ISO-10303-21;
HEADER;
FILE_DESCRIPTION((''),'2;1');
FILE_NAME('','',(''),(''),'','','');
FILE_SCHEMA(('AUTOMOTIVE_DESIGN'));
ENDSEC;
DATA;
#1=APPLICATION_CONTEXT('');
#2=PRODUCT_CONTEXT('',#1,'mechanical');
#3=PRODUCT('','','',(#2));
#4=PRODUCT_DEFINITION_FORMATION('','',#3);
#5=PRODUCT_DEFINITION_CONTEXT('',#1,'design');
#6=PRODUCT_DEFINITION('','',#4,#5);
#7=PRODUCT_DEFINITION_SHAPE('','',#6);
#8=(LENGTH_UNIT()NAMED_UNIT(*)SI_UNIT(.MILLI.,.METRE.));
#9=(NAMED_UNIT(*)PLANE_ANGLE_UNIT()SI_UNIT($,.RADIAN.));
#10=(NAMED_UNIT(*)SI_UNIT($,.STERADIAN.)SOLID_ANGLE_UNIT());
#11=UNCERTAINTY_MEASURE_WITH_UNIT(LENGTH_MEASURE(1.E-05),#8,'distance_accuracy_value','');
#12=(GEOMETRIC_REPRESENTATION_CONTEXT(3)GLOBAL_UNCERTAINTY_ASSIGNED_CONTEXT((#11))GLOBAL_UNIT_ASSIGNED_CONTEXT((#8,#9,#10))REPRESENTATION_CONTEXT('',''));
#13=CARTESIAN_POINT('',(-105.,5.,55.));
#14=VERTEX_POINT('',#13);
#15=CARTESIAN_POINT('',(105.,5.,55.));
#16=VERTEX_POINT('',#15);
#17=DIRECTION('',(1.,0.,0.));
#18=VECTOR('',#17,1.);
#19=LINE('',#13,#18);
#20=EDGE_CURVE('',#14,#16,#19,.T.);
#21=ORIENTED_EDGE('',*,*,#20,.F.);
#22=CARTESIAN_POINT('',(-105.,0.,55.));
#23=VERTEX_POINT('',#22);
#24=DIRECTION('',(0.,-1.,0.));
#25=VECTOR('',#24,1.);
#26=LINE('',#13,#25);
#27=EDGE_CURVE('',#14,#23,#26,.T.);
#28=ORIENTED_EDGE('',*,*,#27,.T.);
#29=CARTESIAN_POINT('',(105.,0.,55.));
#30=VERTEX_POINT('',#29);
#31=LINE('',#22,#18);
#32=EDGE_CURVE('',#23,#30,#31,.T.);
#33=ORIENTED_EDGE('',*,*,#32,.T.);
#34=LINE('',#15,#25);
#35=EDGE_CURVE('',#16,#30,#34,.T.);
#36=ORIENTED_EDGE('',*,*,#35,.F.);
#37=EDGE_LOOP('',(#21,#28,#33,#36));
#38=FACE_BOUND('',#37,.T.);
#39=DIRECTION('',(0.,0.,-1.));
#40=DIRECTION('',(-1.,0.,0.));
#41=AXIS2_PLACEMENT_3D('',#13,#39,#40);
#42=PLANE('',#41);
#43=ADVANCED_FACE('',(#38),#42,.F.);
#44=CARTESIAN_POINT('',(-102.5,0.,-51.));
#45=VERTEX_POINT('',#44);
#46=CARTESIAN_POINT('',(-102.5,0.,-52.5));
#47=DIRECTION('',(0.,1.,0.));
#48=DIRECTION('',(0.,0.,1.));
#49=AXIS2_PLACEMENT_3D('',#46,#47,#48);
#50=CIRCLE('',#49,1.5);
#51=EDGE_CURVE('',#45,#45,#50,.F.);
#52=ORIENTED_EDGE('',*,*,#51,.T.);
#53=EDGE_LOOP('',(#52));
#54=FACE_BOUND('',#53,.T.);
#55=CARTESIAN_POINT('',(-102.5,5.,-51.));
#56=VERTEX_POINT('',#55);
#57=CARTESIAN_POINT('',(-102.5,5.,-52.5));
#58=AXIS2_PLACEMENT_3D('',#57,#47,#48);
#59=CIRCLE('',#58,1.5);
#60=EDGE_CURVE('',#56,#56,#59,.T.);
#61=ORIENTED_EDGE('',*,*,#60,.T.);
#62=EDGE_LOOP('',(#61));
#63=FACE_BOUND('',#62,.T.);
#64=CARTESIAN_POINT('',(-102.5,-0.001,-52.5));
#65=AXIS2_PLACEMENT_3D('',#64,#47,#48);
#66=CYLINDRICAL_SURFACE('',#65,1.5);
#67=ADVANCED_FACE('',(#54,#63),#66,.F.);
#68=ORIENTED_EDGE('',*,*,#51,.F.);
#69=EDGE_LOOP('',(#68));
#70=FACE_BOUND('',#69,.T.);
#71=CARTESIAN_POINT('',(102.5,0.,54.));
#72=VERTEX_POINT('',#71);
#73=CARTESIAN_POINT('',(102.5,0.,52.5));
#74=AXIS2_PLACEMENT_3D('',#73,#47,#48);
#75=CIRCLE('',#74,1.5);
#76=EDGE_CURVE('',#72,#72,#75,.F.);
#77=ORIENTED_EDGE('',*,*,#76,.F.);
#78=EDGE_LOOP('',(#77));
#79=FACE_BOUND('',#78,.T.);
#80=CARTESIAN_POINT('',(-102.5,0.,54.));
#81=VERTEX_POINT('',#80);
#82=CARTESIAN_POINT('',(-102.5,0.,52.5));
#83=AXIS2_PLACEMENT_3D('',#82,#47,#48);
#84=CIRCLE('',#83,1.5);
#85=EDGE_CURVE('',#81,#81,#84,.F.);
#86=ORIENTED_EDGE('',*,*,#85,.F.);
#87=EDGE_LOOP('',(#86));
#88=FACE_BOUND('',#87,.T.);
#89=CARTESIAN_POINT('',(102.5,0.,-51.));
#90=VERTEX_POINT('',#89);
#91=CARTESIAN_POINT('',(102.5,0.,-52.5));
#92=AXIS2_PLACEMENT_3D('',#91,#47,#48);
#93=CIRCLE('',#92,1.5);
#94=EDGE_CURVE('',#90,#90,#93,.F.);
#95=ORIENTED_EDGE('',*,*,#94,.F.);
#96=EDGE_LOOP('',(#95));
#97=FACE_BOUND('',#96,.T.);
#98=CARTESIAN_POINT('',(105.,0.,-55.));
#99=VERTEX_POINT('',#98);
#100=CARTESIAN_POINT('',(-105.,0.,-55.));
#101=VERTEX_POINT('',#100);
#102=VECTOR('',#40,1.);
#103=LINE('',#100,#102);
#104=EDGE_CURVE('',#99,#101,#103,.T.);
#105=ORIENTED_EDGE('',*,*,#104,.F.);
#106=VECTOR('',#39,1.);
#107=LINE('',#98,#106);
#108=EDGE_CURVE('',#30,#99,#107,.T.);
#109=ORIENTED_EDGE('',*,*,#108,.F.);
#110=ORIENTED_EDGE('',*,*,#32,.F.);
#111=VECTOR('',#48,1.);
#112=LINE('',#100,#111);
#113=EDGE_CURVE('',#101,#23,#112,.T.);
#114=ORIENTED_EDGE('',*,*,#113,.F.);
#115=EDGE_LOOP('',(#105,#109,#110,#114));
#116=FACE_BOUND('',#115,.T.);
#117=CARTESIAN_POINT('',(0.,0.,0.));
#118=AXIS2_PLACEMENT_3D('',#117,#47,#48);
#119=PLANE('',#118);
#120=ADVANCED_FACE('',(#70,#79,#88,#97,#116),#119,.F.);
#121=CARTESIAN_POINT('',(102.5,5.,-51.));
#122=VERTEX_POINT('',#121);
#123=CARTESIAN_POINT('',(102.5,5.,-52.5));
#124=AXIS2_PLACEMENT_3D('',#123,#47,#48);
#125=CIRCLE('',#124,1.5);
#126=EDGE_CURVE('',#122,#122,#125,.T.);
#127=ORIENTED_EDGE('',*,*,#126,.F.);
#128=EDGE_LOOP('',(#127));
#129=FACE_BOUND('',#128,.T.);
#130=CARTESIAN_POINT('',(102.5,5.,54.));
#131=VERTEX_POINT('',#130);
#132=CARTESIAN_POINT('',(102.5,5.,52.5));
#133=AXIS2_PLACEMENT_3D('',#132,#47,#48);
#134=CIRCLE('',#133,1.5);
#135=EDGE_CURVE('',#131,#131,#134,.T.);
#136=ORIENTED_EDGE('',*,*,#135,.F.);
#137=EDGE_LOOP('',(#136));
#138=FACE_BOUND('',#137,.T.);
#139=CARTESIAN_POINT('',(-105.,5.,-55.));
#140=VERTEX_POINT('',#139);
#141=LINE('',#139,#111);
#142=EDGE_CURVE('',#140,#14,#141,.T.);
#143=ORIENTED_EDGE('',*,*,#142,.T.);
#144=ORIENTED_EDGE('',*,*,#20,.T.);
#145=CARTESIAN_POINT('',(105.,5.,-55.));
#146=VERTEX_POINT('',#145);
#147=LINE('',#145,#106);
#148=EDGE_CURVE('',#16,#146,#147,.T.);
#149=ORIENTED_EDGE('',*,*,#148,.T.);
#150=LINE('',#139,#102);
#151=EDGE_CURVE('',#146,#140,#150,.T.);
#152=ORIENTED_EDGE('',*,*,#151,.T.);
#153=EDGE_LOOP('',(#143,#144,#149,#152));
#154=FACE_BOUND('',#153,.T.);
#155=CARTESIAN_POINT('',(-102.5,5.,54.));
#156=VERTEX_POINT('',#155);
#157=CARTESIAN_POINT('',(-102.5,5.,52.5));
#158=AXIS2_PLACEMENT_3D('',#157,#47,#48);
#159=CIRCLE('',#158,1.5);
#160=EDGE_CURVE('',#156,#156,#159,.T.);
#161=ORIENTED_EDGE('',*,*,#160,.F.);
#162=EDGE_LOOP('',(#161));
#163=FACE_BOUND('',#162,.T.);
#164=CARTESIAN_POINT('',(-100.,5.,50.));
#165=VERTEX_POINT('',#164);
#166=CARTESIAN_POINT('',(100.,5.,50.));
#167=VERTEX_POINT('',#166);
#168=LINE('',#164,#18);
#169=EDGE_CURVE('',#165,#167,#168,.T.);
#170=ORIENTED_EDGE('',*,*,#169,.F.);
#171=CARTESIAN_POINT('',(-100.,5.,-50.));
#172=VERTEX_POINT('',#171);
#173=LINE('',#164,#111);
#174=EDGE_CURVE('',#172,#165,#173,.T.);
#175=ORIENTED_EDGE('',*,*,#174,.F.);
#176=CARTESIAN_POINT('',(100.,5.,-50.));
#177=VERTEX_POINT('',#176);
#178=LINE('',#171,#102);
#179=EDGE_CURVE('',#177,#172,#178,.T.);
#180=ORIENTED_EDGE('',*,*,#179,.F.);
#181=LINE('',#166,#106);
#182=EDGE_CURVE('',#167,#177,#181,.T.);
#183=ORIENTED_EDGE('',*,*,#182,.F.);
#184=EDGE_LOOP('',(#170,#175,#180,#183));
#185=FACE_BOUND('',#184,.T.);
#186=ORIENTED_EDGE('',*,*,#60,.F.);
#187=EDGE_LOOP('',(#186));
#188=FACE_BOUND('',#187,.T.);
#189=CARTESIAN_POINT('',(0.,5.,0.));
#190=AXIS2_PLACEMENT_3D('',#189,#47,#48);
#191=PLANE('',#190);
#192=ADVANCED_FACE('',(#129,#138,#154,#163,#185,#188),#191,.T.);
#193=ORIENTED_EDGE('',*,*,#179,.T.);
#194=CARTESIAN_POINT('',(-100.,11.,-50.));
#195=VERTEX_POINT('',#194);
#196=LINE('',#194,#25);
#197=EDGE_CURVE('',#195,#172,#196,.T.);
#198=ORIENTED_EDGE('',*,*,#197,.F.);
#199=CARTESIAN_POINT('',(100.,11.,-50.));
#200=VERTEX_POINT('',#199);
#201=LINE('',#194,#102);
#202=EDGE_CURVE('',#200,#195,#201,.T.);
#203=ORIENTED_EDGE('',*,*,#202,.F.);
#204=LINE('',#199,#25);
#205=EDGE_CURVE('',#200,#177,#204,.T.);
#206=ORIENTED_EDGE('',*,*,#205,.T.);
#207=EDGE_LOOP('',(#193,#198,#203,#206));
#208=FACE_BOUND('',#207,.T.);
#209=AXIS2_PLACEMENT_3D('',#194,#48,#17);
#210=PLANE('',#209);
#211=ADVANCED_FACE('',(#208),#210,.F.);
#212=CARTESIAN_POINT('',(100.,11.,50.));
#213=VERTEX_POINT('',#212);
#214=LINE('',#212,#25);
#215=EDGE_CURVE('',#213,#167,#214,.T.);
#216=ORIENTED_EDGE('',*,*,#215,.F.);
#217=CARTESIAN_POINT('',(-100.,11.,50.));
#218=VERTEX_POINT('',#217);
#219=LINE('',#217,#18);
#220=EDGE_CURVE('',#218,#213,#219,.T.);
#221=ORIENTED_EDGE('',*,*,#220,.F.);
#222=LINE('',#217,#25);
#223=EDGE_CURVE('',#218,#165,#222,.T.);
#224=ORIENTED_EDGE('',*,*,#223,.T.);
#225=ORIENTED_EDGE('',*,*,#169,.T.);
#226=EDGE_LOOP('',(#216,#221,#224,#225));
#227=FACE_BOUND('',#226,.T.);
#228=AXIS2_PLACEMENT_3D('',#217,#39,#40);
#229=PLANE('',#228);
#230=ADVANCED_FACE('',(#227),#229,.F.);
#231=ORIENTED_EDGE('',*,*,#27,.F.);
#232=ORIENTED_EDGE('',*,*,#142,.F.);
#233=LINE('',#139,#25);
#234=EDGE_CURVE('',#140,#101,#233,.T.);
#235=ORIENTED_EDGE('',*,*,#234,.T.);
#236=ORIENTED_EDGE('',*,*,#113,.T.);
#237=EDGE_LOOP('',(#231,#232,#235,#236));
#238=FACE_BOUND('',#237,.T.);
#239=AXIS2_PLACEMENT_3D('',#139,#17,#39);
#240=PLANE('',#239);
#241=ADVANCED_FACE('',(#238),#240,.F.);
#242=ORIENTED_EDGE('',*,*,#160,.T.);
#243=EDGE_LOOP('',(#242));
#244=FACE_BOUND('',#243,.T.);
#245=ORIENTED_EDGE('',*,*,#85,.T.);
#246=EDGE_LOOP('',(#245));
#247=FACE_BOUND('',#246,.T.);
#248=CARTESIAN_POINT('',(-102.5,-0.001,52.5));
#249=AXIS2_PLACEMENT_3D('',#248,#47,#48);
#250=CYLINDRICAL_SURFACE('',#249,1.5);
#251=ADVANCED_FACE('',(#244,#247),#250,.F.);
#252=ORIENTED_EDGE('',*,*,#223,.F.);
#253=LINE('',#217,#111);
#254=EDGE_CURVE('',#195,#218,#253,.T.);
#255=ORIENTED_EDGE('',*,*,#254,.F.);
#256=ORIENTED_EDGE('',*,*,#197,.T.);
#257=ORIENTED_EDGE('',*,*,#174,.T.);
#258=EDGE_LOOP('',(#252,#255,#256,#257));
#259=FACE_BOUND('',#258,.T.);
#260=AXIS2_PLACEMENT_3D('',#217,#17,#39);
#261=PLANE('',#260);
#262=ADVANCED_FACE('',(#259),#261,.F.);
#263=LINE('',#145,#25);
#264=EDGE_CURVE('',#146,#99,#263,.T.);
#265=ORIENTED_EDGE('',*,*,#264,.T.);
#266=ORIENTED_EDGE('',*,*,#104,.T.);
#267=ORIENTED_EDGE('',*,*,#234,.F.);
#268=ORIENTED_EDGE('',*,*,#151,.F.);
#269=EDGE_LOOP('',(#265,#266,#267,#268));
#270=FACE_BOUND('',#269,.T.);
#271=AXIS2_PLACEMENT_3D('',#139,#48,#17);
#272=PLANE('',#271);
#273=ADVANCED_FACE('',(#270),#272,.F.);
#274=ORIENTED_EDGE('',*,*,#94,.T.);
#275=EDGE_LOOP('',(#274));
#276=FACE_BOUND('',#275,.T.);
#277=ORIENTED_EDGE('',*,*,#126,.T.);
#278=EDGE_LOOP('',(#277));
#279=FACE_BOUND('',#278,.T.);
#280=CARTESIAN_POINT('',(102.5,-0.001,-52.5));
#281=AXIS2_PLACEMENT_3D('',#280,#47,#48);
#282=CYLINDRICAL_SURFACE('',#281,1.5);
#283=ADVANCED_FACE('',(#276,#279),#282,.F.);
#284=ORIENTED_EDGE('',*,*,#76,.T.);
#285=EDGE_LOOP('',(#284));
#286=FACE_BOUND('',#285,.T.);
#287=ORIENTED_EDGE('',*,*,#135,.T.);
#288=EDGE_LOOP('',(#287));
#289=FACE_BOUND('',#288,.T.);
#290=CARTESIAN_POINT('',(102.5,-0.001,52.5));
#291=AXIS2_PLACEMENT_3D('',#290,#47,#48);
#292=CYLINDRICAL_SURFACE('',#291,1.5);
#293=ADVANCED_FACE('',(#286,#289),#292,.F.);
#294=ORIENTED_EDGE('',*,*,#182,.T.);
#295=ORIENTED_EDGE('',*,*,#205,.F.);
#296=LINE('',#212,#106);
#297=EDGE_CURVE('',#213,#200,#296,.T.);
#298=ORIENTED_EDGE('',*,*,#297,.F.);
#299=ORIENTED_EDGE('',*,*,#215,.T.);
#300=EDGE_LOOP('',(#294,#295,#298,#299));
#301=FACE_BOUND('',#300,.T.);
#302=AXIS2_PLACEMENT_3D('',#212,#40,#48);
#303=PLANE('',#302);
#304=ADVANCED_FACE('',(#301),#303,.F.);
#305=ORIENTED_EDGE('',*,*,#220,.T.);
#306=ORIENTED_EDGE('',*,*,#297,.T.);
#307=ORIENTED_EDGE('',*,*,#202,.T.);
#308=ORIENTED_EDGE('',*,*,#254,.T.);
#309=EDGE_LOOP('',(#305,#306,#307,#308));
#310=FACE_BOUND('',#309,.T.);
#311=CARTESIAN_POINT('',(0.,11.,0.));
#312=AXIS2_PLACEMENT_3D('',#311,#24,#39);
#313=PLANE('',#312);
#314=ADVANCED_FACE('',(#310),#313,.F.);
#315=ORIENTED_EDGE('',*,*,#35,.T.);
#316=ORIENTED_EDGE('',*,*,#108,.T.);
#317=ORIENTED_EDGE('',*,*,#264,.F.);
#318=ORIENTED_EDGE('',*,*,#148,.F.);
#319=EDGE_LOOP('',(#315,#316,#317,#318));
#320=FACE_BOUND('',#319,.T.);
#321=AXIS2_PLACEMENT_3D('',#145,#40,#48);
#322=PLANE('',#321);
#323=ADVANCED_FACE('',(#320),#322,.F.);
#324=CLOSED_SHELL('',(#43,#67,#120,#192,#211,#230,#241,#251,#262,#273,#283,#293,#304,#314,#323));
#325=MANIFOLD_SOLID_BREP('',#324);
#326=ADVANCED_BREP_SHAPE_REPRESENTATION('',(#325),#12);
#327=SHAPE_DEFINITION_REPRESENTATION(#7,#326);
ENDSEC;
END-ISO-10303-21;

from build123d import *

# Parameters (mm, degrees)
SKETCH1_W               = 210
SKETCH1_H               = 110
TOP_DEPTH               = 5
SKETCH2_W               = 200
SKETCH2_H               = 100
BOTTOM_DEPTH            = 6
HOLE_REACH              = 120.684
SKETCH4_R               = 1.5
HOLE_PATTERN_COUNT      = 2
HOLE_PATTERN_PITCH      = 105
HOLE_PATTERN_COUNT_DIR2 = 2
HOLE_PATTERN_PITCH_DIR2 = 205


with BuildPart() as part:
    # Sketch1 → Top (new body)
    with BuildSketch(Plane(origin=(0, 0, 0), x_dir=(1, 0, 0), z_dir=(0, 1, 0))):
        Rectangle(SKETCH1_W, SKETCH1_H)
    extrude(amount=TOP_DEPTH)

    # Sketch2 → Bottom (add)
    with BuildSketch(Plane(origin=(0, 5, 0), x_dir=(1, 0, 0), z_dir=(0, 1, 0))):
        Rectangle(SKETCH2_W, SKETCH2_H)
    extrude(amount=BOTTOM_DEPTH)

    # Sketch4 → Hole (cut, up to next)
    with BuildSketch(Plane(origin=(0, 5, 0), x_dir=(1, 0, 0), z_dir=(0, 1, 0)), mode=Mode.PRIVATE) as hole_sk1:
        with Locations(Location((-102.5, -52.5, 0), (0, 0, 270))):
            Circle(SKETCH4_R)
    hole_tool1 = extrude(hole_sk1.sketch, amount=-HOLE_REACH, mode=Mode.PRIVATE) & part.part
    hole = hole_tool1.solids().sort_by_distance((-102.5, 5, 52.5))[0]
    add(hole, mode=Mode.SUBTRACT)

    # Hole-Pattern: Hole 2 × 2
    with Locations(*[(j * HOLE_PATTERN_PITCH_DIR2, 0, -i * HOLE_PATTERN_PITCH) for i in range(HOLE_PATTERN_COUNT) for j in range(HOLE_PATTERN_COUNT_DIR2) if (i, j) != (0, 0)]):
        add(hole, mode=Mode.SUBTRACT)


solid = part.part
